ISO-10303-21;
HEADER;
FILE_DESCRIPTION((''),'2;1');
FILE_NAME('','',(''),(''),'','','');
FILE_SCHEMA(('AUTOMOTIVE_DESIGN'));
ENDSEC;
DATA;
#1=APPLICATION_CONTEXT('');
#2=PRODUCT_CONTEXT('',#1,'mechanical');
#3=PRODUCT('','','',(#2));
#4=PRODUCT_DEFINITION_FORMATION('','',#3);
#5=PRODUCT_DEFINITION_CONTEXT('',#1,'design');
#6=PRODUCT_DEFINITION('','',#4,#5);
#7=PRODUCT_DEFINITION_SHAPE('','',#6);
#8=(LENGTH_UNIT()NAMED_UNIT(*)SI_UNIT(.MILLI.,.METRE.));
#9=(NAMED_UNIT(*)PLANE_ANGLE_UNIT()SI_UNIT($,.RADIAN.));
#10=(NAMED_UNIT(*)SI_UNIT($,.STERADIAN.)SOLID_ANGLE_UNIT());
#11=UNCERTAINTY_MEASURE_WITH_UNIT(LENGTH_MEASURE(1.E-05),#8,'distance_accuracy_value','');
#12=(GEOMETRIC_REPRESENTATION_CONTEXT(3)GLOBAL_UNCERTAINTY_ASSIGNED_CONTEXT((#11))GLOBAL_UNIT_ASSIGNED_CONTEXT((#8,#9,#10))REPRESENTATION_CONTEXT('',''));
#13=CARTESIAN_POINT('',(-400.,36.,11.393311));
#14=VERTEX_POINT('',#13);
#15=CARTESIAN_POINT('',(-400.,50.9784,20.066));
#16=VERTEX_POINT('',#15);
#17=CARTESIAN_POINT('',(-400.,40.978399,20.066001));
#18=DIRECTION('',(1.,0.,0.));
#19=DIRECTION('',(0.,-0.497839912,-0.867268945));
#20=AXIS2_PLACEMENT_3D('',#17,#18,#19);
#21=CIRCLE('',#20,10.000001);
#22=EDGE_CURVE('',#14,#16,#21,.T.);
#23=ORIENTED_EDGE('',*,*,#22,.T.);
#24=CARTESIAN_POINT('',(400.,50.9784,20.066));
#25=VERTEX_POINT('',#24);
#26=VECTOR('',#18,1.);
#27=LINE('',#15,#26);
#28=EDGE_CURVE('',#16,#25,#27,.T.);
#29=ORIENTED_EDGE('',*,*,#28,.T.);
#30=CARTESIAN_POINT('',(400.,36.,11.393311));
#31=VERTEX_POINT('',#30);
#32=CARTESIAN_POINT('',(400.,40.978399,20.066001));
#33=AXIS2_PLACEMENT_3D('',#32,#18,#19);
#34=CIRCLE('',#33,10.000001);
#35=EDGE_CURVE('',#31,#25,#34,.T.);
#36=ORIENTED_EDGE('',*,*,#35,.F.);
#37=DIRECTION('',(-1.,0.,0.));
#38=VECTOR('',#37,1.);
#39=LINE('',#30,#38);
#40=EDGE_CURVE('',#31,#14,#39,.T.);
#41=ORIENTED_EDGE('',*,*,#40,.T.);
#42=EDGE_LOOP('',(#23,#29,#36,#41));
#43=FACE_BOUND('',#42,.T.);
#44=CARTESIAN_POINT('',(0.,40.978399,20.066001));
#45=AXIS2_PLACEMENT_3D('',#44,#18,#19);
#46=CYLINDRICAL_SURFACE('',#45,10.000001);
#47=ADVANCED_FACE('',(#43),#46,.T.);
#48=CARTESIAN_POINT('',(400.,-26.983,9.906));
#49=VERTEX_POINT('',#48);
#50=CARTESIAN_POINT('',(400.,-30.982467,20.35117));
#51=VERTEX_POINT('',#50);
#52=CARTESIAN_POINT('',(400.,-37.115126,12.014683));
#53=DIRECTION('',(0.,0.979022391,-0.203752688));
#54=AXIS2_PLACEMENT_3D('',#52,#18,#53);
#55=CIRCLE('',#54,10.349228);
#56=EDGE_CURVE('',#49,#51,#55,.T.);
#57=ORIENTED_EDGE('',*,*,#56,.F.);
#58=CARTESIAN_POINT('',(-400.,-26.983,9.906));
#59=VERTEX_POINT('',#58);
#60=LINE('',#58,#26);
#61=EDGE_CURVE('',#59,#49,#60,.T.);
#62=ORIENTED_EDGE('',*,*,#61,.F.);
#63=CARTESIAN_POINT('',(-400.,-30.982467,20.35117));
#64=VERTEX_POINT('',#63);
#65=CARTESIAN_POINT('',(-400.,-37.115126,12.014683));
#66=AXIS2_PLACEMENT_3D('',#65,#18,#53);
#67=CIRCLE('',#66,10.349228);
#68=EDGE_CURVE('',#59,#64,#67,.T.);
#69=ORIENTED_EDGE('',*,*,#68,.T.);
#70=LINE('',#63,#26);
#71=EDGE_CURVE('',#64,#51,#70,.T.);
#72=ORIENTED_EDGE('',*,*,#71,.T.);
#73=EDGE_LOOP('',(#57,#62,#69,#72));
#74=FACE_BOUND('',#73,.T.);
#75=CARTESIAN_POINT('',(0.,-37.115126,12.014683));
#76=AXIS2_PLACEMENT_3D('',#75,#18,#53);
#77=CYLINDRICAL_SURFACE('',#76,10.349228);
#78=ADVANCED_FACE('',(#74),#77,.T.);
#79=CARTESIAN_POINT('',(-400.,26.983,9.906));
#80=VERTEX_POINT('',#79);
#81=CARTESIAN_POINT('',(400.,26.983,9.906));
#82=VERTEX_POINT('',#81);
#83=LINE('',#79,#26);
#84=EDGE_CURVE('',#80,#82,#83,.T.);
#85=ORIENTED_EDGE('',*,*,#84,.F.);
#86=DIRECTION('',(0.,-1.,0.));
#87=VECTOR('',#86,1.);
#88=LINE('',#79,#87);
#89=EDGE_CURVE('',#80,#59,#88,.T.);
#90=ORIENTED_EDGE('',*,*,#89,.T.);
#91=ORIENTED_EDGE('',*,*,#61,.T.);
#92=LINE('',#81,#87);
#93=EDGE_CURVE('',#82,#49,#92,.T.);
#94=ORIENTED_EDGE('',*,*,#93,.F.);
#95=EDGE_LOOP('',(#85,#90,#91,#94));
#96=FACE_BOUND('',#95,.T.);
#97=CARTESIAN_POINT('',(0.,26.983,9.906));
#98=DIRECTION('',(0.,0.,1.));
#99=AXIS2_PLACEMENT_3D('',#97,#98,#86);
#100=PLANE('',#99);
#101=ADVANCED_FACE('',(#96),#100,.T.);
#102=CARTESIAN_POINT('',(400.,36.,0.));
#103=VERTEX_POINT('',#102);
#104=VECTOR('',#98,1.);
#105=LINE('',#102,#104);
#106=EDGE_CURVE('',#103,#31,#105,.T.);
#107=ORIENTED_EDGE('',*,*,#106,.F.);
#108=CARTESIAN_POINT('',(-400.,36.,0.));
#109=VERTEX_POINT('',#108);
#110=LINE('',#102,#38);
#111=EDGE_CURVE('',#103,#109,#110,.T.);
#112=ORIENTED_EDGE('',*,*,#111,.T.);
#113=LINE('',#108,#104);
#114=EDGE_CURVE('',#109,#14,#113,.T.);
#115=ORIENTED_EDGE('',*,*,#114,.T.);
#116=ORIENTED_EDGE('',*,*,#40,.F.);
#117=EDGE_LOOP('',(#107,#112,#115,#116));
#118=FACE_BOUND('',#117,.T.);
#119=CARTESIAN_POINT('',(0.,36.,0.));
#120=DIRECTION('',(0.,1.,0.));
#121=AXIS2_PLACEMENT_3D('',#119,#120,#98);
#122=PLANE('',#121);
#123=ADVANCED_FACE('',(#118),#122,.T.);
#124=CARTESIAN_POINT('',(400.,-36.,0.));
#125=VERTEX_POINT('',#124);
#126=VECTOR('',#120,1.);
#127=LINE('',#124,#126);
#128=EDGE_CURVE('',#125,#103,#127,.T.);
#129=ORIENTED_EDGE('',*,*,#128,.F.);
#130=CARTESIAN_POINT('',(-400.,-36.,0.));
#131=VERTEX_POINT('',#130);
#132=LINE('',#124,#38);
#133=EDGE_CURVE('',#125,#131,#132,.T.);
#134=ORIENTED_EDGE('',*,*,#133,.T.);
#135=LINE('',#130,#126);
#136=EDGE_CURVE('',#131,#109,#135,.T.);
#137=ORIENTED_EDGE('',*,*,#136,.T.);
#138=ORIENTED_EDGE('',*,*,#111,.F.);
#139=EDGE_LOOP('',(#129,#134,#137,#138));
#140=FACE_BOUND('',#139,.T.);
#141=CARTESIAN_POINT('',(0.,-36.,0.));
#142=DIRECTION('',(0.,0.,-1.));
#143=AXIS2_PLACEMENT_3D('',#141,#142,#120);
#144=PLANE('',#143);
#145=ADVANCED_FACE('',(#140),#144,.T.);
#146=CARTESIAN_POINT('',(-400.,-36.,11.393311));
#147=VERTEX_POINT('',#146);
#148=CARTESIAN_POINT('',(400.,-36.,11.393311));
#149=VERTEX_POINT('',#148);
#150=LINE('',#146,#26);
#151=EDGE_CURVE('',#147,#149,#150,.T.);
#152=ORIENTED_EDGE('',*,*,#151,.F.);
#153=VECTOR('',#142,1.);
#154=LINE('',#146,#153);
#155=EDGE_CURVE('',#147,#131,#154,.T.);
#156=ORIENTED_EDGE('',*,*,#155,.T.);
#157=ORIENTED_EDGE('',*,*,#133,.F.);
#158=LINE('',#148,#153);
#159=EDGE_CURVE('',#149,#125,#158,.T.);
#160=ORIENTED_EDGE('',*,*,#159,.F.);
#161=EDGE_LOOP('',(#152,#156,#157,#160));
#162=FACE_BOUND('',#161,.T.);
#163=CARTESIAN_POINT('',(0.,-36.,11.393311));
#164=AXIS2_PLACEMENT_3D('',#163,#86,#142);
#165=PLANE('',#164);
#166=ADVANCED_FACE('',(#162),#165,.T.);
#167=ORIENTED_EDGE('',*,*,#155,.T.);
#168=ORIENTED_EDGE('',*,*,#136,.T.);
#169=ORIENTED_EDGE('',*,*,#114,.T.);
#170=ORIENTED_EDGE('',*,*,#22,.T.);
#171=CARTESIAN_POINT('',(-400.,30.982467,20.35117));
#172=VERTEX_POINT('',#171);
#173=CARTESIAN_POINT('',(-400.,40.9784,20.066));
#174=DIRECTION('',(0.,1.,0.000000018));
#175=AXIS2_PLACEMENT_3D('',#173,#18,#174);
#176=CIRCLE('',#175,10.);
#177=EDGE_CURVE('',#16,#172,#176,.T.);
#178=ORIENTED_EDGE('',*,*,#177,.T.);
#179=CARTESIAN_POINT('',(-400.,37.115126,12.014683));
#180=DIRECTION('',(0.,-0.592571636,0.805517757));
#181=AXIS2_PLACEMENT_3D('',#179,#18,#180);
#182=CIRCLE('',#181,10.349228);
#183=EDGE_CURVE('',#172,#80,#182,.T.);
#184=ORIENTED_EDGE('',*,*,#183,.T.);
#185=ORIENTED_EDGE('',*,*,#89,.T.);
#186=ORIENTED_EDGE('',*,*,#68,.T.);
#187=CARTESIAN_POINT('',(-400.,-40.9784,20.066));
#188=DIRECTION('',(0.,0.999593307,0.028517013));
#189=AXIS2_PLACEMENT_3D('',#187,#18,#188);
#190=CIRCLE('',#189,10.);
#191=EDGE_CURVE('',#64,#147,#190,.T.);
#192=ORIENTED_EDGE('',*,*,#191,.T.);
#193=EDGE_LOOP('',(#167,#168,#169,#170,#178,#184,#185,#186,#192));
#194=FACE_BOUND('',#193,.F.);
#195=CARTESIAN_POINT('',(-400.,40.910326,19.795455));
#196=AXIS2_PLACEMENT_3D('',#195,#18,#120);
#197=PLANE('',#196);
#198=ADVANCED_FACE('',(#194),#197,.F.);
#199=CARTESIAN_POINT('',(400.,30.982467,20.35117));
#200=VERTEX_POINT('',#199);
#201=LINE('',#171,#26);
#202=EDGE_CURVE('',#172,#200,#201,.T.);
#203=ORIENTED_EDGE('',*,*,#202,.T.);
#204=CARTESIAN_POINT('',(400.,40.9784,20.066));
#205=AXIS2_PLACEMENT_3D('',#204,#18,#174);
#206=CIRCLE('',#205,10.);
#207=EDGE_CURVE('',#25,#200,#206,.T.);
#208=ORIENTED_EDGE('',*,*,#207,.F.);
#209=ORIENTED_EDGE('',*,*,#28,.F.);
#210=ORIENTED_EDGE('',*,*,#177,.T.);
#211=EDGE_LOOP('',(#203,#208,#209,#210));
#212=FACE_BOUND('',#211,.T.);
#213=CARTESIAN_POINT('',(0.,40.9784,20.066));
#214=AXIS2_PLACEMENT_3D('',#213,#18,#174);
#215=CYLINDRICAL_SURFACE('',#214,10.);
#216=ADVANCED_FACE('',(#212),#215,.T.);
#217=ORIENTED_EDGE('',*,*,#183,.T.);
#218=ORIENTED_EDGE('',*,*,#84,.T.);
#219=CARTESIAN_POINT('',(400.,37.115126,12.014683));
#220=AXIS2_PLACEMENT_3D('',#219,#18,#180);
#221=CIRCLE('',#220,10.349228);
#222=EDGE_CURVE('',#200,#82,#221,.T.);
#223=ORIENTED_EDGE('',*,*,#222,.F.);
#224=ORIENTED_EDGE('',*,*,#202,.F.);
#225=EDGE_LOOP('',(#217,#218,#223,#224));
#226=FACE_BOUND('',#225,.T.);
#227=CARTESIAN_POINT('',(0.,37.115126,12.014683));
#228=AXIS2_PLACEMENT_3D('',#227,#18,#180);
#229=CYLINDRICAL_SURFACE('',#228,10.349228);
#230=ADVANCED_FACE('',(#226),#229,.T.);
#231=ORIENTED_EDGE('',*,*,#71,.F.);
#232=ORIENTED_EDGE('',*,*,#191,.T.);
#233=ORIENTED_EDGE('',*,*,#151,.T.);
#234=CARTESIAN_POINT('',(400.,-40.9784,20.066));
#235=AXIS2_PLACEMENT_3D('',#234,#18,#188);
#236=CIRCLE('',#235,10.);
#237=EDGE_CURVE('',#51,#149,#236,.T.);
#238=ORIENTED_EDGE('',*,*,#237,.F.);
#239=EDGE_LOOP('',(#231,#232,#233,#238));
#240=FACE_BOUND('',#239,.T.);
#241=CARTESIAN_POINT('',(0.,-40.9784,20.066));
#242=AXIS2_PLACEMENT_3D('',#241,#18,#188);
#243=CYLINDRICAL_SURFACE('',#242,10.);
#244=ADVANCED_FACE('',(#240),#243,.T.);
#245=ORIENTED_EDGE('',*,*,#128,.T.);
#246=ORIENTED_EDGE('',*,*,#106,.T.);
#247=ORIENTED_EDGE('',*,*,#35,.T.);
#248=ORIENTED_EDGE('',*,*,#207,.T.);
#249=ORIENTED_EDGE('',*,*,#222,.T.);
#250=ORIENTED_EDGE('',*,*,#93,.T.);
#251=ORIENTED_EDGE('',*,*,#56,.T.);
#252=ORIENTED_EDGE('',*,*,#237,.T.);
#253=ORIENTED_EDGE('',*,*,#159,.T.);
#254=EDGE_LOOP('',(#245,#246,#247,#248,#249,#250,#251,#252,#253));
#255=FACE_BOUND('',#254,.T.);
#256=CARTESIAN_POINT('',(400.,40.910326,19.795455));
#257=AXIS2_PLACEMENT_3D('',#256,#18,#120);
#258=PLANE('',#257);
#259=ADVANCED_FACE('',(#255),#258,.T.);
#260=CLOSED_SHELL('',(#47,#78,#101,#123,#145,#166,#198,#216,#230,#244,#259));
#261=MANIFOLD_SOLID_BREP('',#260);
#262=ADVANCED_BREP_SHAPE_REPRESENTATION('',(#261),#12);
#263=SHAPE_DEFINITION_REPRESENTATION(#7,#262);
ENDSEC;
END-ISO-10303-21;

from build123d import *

# Parameters (mm, degrees)
F1_DEPTH = 400


with BuildPart() as f1:
    # F0 (on Right) → F1 (new body, symmetric)
    with BuildSketch(Plane.YZ):
        with BuildLine():
            ThreePointArc((36, 11.393311), (45.989188, 11.411984), (50.9784, 20.066))
            ThreePointArc((50.9784, 20.066), (41.121, 30.064983), (30.982467, 20.35117))
            ThreePointArc((30.982467, 20.35117), (32.25381, 15.179127), (36, 11.393311))
        make_face()
        with BuildLine():
            ThreePointArc((36, 11.393311), (32.25381, 15.179127), (30.982467, 20.35117))
            ThreePointArc((30.982467, 20.35117), (27.450179, 15.715402), (26.983, 9.906))
            Line((26.983, 9.906), (0, 9.906))
            Line((0, 9.906), (0, 0))
            Line((0, 0), (36, 0))
            Line((36, 0), (36, 11.393311))
        make_face()
        with BuildLine():
            Line((0, 0), (0, 9.906))
            Line((0, 9.906), (-26.983, 9.906))
            ThreePointArc((-26.983, 9.906), (-27.450179, 15.715402), (-30.982467, 20.35117))
            ThreePointArc((-30.982467, 20.35117), (-30.979417, 20.2086), (-30.9784, 20.066))
            ThreePointArc((-30.9784, 20.066), (-32.324384, 15.055212), (-36, 11.393311))
            Line((-36, 11.393311), (-36, 0))
            Line((-36, 0), (0, 0))
        make_face()
        with BuildLine():
            ThreePointArc((-30.9784, 20.066), (-30.979417, 20.2086), (-30.982467, 20.35117))
            ThreePointArc((-30.982467, 20.35117), (-49.70299, 24.952873), (-36, 11.393311))
            ThreePointArc((-36, 11.393311), (-32.324384, 15.055212), (-30.9784, 20.066))
        make_face()
    extrude(amount=F1_DEPTH, both=True)


solid = f1.part
